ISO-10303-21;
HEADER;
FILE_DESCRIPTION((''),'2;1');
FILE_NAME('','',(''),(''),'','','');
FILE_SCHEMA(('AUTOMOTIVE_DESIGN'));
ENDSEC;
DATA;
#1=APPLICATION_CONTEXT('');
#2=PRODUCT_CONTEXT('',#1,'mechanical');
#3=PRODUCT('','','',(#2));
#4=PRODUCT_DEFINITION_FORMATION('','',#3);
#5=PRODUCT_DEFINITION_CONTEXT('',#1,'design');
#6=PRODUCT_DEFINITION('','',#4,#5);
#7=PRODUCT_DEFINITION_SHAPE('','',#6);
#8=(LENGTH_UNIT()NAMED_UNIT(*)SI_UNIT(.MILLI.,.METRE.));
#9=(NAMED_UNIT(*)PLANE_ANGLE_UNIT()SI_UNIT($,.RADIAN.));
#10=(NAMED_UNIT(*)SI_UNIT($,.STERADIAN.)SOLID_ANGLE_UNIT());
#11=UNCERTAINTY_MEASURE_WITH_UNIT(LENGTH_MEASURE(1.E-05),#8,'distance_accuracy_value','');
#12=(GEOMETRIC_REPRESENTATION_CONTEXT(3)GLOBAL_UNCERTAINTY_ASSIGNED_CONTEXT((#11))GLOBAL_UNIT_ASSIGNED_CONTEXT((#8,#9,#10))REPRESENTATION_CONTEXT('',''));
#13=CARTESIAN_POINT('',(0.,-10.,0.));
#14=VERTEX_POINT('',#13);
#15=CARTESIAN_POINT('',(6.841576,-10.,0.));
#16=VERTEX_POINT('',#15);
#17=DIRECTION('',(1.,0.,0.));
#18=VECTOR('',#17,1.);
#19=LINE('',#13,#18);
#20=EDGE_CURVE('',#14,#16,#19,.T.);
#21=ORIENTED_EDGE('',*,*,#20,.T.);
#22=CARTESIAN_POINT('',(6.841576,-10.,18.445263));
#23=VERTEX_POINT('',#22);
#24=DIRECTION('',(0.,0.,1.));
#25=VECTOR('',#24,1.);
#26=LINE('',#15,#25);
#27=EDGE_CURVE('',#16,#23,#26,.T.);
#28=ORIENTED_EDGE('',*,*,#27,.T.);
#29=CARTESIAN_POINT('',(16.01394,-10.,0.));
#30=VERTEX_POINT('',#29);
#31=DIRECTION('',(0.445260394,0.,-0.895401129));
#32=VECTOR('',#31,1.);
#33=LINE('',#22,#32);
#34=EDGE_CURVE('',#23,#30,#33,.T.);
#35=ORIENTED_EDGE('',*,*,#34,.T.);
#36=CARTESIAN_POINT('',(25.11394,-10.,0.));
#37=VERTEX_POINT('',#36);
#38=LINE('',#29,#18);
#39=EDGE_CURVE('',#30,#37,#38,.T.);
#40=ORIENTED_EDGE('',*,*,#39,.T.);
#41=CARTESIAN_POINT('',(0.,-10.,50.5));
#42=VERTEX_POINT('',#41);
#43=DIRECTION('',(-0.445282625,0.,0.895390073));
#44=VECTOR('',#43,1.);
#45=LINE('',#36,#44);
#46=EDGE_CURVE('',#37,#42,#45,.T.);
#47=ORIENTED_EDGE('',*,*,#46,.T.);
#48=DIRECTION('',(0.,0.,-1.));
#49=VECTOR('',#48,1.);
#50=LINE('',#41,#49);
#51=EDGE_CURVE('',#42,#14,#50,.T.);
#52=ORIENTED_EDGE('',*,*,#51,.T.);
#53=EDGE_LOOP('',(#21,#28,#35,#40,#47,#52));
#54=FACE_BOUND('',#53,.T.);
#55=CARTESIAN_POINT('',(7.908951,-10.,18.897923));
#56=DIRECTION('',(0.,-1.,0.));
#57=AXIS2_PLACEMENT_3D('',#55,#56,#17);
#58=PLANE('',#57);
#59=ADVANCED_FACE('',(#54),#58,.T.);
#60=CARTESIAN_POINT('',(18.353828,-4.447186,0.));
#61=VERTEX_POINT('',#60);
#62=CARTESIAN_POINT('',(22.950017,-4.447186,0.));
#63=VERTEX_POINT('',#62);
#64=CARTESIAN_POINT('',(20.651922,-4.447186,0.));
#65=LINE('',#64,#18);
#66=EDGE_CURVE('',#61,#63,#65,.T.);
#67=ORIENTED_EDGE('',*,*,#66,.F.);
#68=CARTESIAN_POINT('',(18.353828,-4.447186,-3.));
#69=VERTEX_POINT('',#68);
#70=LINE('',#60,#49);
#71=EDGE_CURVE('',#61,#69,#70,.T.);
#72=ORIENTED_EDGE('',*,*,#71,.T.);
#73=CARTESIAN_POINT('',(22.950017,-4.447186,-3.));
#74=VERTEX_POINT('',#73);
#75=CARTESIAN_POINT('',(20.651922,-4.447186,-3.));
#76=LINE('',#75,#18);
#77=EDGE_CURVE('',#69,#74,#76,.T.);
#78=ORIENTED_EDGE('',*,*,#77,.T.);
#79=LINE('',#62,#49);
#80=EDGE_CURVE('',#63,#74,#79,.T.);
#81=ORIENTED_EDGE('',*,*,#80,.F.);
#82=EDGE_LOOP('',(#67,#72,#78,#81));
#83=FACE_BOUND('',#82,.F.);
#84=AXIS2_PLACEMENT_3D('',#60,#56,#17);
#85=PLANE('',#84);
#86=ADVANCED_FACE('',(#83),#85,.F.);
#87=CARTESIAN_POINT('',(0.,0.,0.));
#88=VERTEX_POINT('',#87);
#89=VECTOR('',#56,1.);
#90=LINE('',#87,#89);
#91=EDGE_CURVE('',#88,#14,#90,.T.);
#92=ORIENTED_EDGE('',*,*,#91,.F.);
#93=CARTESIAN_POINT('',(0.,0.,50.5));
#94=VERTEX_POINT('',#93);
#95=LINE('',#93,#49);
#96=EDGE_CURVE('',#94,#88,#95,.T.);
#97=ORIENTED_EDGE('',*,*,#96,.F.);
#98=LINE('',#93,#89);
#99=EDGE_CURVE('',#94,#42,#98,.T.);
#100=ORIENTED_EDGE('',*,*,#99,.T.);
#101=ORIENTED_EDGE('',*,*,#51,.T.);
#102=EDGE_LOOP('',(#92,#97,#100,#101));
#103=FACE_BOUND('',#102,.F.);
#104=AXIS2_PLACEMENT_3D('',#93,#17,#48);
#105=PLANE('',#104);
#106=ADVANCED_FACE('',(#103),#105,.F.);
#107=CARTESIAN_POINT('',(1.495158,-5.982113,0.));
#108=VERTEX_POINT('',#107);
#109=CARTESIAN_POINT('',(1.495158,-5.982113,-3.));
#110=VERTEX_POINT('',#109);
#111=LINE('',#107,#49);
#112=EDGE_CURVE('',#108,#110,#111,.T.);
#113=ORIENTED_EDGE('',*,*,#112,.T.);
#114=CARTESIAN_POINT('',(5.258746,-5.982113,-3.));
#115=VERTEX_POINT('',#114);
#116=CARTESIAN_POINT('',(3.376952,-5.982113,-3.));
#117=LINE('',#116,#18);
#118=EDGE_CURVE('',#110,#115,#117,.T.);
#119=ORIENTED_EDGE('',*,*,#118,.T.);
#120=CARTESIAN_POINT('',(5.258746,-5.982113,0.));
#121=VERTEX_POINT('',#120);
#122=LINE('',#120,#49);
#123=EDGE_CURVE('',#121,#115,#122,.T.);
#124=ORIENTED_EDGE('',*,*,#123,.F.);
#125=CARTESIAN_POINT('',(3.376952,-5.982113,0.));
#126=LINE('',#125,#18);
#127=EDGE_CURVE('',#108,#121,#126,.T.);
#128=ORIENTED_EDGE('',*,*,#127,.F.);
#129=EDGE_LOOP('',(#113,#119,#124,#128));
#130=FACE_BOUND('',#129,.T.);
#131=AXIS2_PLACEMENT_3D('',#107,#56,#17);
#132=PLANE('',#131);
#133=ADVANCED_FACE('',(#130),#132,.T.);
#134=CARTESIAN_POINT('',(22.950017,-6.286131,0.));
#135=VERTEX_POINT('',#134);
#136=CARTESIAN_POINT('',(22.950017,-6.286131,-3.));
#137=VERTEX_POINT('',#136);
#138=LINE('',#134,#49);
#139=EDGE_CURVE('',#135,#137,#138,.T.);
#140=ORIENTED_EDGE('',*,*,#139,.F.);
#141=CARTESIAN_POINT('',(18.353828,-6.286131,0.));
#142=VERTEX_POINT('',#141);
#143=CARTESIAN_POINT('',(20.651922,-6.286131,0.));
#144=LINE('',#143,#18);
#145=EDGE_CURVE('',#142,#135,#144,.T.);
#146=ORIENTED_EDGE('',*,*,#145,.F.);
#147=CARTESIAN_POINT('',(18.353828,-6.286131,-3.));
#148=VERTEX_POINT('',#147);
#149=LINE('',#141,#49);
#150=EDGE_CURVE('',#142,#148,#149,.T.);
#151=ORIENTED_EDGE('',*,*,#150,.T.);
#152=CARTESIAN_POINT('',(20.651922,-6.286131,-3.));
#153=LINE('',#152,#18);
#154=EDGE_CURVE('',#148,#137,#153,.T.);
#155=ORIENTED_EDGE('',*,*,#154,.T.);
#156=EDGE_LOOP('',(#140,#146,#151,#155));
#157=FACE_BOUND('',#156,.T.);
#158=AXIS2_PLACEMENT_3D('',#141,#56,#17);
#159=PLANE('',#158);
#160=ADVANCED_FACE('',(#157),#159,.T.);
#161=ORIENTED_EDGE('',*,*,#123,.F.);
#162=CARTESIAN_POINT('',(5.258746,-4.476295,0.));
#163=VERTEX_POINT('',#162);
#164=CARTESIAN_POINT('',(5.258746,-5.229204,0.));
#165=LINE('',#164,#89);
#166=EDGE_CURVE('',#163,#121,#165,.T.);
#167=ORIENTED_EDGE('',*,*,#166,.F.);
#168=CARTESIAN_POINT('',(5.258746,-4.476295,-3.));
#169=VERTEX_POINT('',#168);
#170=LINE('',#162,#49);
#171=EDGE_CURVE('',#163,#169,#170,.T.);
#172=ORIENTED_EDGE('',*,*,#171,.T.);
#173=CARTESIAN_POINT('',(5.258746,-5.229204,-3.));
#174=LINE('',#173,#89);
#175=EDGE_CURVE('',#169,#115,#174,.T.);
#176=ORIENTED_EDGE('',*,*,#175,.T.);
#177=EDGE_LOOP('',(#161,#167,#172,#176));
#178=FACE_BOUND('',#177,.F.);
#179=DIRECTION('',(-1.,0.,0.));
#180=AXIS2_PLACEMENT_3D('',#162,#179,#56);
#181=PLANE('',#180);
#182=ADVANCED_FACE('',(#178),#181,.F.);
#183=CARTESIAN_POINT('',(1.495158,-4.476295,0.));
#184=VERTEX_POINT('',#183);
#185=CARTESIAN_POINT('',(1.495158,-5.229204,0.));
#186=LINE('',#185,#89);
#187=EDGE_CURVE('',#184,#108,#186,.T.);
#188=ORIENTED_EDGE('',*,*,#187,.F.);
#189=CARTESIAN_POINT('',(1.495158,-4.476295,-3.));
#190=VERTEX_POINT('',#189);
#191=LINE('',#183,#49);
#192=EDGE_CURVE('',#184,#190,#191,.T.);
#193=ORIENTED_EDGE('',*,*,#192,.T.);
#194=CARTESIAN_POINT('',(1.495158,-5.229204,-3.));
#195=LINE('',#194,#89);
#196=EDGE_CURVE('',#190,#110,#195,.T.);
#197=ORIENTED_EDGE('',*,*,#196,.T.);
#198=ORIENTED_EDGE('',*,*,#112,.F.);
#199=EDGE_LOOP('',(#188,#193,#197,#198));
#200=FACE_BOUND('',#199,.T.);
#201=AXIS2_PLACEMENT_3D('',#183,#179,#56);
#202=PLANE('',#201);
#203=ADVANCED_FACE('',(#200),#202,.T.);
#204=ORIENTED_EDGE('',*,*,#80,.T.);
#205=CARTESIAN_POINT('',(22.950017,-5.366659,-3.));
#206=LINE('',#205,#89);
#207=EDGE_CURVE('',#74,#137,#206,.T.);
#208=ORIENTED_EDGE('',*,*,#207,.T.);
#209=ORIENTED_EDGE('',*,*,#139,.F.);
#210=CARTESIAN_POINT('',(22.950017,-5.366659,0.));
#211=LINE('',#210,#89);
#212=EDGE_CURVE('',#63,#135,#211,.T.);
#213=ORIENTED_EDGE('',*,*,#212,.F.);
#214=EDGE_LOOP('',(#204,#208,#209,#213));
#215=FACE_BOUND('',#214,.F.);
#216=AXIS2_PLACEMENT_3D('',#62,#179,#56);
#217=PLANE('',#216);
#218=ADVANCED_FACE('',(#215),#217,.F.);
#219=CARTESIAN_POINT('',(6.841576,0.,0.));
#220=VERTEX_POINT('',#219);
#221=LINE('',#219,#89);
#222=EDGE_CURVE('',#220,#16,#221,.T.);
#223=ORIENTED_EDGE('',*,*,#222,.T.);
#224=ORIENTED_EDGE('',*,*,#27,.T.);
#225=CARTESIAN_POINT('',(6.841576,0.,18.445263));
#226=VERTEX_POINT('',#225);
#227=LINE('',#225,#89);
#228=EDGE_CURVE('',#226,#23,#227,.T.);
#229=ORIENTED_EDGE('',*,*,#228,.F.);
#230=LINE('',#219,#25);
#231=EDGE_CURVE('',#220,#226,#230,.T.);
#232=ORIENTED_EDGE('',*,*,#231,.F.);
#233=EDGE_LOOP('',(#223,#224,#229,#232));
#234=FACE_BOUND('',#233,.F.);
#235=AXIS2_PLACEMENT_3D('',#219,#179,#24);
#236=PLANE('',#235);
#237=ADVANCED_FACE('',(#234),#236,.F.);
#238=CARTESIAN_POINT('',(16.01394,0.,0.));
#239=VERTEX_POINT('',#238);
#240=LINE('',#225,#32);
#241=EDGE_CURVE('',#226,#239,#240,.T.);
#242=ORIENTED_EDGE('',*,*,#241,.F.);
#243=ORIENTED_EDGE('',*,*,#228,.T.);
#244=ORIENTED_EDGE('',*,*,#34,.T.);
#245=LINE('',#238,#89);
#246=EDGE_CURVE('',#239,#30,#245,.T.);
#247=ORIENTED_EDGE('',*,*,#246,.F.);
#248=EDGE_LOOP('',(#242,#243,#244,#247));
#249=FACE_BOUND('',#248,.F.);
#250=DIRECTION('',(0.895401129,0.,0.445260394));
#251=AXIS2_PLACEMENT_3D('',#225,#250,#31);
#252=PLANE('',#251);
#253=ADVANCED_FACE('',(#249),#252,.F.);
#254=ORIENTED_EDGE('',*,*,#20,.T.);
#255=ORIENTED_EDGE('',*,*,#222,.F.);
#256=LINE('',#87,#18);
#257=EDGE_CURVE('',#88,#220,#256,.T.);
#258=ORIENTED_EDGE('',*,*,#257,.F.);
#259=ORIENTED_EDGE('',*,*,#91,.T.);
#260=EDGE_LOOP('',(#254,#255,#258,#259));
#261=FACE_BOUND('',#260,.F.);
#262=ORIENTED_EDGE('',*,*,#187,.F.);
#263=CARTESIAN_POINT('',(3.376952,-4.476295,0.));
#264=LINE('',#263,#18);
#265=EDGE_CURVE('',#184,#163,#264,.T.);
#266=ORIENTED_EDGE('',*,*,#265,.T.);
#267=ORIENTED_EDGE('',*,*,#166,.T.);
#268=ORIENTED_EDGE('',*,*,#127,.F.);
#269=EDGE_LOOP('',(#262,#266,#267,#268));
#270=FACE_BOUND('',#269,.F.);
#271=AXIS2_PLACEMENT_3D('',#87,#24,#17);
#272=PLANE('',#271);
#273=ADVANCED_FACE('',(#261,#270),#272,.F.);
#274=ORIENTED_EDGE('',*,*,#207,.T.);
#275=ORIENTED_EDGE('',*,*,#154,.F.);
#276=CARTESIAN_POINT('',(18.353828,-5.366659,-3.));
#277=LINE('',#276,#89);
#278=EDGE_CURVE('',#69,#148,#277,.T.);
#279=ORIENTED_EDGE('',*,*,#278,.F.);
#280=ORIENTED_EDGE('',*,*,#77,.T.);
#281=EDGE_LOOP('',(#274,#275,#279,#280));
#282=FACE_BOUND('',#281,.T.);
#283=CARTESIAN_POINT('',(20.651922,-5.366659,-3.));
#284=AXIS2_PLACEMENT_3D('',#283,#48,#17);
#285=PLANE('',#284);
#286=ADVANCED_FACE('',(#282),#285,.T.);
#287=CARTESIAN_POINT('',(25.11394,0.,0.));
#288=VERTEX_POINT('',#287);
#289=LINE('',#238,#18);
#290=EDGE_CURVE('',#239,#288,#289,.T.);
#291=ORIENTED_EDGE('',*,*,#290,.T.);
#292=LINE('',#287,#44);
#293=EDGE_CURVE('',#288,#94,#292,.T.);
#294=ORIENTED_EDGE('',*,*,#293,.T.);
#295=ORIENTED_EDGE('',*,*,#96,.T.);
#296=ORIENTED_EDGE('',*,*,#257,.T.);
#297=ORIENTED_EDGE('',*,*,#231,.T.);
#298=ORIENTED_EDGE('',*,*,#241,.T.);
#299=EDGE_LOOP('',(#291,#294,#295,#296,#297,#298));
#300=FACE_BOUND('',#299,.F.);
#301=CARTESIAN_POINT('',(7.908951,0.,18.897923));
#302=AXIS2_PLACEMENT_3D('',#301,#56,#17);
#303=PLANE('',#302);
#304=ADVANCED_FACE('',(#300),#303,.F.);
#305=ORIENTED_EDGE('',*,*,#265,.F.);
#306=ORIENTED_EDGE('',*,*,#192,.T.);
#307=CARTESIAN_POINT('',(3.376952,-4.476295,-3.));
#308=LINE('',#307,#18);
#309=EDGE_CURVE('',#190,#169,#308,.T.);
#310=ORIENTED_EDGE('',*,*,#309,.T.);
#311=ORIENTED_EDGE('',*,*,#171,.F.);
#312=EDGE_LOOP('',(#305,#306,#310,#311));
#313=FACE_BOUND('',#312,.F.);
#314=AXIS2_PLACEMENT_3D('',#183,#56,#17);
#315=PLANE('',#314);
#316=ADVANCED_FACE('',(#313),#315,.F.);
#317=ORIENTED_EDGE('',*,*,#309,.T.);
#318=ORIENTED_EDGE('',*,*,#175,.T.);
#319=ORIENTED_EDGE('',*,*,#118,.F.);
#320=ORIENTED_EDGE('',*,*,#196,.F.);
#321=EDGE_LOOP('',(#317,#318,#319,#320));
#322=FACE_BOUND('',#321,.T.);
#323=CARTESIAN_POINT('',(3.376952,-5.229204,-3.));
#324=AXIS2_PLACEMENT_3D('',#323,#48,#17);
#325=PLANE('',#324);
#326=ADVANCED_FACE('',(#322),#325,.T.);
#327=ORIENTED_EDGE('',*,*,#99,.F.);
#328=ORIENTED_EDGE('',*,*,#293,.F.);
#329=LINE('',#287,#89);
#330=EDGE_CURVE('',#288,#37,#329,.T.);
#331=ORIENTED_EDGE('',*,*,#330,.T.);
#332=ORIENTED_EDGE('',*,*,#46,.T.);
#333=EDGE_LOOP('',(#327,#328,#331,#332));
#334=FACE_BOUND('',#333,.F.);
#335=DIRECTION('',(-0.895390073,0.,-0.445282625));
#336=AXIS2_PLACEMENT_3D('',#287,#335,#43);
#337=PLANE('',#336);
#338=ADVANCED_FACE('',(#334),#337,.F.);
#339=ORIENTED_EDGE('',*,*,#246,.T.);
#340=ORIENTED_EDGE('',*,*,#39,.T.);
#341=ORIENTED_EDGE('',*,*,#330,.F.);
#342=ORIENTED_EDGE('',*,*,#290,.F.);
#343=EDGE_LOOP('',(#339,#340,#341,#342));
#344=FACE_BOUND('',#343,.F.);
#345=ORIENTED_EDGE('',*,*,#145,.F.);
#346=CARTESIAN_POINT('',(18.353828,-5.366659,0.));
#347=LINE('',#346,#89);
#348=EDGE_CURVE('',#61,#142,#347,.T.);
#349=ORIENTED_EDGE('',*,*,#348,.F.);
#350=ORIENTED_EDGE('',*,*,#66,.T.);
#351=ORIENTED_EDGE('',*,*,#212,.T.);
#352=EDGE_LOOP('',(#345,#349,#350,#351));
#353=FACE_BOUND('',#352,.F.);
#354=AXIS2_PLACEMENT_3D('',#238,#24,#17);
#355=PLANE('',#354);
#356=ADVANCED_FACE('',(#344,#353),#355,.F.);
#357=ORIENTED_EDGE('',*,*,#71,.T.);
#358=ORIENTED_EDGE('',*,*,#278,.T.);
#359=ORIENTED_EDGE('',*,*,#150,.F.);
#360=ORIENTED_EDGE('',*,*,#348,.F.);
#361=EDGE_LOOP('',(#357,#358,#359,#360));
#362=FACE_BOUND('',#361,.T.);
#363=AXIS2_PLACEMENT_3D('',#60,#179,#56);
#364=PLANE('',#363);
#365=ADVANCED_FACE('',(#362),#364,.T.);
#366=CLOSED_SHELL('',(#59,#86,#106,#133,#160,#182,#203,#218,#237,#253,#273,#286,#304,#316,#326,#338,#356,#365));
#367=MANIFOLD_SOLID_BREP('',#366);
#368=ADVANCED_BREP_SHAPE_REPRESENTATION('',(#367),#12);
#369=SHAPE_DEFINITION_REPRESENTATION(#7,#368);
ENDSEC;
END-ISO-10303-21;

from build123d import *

# Parameters (mm, degrees)
F1_DEPTH = 10
F2_W     = 3.763588
F2_H     = 1.505818
F3_DEPTH = 3
F4_W     = 4.596189
F4_H     = 1.838945
F5_DEPTH = 3


with BuildPart() as f1:
    # F0 (on Front) → F1 (new body)
    with BuildSketch(Plane.XZ):
        Polygon((0, 50.5), (0, 0), (6.841576, 0), (6.841576, 18.445263), (16.01394, 0), (25.11394, 0), align=None)
    extrude(amount=F1_DEPTH)

    # F2 (on face) → F3 (join)
    with BuildSketch(Plane(origin=(0, 0, 0), x_dir=(1, 0, 0), z_dir=(0, 0, -1))):
        with Locations((3.376952, 5.229204)):
            Rectangle(F2_W, F2_H)
    extrude(amount=F3_DEPTH)

    # F4 (on face) → F5 (join)
    with BuildSketch(Plane(origin=(0, 0, 0), x_dir=(1, 0, 0), z_dir=(0, 0, -1))):
        with Locations((20.651922, 5.366659)):
            Rectangle(F4_W, F4_H)
    extrude(amount=F5_DEPTH)


solid = f1.part
